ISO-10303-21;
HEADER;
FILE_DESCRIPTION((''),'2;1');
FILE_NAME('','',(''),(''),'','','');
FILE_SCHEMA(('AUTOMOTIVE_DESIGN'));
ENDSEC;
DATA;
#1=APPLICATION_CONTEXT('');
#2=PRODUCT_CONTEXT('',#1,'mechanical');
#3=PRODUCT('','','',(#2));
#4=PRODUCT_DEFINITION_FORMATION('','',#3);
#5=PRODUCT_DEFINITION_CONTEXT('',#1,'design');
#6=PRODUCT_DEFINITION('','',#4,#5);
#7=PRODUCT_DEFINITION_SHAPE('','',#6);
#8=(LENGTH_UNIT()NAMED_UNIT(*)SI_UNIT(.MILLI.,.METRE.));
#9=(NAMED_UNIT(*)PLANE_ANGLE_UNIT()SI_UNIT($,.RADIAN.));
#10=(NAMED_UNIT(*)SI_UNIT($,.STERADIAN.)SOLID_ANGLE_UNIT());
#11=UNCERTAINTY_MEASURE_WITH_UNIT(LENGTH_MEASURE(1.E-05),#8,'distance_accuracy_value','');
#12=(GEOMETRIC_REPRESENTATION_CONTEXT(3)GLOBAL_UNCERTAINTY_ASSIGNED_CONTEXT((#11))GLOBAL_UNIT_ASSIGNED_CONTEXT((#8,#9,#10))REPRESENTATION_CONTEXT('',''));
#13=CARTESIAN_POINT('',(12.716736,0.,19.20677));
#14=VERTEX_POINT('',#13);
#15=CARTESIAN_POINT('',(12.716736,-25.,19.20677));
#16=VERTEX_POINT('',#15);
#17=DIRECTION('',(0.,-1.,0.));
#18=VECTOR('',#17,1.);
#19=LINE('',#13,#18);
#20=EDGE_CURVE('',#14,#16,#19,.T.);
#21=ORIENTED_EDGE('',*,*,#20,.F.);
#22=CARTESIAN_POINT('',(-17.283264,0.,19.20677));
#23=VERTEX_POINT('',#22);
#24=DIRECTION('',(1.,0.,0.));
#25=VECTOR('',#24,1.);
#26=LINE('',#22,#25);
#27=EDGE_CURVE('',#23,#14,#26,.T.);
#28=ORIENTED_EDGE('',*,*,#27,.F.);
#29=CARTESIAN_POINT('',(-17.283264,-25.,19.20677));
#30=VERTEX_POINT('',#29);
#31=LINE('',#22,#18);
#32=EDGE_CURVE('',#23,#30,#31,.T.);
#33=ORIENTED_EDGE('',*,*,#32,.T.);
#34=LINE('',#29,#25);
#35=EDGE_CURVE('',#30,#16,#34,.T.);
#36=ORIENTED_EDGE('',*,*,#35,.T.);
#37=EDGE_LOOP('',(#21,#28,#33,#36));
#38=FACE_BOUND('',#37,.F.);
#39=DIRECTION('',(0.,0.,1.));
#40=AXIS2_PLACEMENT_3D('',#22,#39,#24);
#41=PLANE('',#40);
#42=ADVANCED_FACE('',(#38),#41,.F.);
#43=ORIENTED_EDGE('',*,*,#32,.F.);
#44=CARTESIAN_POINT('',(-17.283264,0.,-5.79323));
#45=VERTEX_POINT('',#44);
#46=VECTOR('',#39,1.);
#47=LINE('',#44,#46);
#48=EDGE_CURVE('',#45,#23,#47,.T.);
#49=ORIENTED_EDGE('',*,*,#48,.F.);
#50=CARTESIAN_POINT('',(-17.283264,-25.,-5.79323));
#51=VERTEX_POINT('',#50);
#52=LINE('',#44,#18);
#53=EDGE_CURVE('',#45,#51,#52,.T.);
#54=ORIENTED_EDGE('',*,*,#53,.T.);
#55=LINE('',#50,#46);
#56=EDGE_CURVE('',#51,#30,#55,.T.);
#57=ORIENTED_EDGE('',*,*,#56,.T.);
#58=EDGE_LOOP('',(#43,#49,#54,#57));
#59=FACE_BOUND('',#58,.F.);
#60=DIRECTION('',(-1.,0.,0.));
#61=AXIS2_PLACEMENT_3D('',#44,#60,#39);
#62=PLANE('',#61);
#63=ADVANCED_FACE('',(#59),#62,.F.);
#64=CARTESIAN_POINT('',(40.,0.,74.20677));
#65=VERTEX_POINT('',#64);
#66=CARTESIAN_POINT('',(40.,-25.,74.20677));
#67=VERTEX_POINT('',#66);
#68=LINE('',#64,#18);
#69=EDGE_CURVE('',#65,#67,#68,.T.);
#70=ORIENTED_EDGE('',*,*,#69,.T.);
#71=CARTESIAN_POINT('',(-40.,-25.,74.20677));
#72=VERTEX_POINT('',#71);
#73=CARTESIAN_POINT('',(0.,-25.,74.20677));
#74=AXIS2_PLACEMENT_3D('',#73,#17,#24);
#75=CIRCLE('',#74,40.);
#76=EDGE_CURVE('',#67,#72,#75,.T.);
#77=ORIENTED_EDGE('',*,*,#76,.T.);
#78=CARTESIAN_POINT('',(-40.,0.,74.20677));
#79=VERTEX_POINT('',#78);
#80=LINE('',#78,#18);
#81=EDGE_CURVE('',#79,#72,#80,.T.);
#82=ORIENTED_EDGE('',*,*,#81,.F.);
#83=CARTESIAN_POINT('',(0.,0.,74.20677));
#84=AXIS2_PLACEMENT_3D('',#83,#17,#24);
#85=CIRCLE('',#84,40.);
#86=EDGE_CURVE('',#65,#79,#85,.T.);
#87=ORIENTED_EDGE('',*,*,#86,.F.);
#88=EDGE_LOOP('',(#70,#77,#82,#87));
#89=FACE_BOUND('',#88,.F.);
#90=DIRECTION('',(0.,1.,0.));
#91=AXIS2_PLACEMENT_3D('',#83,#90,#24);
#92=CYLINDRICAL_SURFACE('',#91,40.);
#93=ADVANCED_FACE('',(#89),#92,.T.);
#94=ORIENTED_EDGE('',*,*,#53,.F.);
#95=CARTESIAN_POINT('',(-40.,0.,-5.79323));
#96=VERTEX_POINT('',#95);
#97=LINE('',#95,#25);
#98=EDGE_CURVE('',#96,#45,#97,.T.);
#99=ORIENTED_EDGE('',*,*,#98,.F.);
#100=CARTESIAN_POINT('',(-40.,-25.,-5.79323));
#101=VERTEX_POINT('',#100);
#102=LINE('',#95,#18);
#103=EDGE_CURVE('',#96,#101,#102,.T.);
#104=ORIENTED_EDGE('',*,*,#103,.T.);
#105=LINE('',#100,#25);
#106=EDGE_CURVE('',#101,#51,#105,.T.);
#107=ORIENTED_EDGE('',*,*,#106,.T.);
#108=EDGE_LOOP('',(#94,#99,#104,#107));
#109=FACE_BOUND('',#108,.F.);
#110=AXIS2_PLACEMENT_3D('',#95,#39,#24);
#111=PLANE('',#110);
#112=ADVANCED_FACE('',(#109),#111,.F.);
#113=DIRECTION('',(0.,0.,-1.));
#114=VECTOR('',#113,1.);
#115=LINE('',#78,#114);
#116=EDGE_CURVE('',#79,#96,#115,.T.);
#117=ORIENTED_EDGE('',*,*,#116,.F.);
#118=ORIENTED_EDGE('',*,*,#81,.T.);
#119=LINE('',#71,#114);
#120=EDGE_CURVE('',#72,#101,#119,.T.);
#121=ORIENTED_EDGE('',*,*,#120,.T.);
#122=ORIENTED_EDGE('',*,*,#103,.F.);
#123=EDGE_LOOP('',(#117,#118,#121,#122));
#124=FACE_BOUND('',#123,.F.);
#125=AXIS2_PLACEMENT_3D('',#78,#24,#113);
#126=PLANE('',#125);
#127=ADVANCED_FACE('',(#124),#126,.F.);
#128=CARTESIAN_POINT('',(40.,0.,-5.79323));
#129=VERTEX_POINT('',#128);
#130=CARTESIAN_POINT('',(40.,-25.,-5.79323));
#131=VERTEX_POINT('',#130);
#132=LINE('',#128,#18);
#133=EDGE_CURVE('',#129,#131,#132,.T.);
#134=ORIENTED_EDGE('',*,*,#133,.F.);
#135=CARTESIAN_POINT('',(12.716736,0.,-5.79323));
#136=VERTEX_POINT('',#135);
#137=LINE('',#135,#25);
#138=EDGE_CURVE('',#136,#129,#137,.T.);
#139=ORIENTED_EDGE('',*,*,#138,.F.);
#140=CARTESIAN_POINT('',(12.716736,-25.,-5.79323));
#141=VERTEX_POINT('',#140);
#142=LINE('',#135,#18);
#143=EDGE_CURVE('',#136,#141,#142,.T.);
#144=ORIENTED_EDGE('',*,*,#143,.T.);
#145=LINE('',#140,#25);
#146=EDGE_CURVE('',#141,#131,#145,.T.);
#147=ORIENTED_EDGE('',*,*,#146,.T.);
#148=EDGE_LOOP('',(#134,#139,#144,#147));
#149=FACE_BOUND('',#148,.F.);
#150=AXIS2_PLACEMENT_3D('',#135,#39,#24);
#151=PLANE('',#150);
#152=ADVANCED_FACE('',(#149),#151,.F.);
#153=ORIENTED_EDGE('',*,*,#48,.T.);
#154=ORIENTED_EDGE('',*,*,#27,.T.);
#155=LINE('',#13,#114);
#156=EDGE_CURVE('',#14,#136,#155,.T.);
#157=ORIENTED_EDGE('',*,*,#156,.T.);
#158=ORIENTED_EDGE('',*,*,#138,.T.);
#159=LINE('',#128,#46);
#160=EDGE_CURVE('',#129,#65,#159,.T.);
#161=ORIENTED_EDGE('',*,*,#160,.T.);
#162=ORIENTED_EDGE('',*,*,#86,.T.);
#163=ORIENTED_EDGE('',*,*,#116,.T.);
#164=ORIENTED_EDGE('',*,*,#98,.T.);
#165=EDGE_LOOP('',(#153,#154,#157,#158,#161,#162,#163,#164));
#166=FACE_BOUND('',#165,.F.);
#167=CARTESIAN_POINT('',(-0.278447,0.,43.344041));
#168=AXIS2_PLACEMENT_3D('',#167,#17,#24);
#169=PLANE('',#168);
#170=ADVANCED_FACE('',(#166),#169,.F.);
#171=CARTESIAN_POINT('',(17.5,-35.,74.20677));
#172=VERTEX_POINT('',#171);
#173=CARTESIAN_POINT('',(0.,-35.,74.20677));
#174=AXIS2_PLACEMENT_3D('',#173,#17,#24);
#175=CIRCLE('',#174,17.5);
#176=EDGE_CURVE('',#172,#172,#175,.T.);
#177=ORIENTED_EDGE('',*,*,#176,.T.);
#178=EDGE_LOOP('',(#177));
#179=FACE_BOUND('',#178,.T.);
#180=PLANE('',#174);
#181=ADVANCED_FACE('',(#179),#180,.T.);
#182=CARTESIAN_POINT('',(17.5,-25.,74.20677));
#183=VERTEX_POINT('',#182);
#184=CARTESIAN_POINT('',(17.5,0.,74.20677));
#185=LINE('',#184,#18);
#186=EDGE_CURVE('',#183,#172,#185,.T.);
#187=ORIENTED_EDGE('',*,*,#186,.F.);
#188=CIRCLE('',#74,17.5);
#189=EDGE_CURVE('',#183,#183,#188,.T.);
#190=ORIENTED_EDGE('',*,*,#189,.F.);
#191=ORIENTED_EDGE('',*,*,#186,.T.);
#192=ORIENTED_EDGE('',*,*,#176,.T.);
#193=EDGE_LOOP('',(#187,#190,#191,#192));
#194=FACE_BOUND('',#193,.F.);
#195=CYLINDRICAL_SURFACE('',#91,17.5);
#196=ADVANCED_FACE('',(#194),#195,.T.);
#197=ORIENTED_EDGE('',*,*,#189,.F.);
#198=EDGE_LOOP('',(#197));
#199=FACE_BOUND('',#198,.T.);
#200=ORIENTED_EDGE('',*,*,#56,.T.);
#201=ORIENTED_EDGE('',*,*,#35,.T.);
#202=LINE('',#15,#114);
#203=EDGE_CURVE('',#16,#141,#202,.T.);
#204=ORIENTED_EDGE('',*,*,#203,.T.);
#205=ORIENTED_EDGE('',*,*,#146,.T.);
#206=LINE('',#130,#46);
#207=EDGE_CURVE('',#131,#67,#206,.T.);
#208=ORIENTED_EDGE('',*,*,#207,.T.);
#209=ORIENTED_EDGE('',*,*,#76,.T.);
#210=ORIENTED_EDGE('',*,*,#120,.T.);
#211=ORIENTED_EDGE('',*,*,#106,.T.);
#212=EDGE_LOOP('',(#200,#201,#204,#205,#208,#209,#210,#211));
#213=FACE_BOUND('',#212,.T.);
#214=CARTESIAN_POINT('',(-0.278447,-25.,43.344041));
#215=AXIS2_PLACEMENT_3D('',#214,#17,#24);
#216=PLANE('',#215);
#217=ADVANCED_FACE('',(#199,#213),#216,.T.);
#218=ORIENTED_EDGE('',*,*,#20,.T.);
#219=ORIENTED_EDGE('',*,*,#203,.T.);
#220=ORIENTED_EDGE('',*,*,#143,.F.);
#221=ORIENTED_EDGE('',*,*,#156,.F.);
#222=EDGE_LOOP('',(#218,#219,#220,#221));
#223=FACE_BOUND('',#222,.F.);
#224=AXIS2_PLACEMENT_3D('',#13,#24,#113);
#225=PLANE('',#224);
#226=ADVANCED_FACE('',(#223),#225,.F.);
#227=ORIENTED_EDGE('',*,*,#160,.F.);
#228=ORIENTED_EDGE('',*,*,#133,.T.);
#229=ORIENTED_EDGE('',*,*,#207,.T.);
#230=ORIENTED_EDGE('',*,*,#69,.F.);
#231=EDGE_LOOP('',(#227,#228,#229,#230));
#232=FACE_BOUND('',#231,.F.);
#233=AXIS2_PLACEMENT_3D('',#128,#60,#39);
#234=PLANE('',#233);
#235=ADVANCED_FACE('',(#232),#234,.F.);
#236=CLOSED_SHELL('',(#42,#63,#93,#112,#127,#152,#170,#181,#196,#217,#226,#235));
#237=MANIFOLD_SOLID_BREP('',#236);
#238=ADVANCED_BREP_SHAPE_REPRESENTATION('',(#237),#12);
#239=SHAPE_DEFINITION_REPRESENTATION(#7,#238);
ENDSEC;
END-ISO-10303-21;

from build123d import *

# Parameters (mm, degrees)
F0_R     = 17.5
F1_DEPTH = 35
F2_DEPTH = 25


with BuildPart() as f1:
    # F0 (on Front) → F1 (new body)
    with BuildSketch(Plane.XZ):
        with Locations((0, 74.20677)):
            Circle(F0_R)
    extrude(amount=F1_DEPTH)

    # F0 (on Front) → F2 (join)
    with BuildSketch(Plane.XZ):
        with BuildLine():
            Line((-40, 74.20677), (-40, 19.20677))
            Line((-40, 19.20677), (-40, -5.79323))
            Line((-40, -5.79323), (-17.283264, -5.79323))
            Line((-17.283264, -5.79323), (-17.283264, 19.20677))
            Line((-17.283264, 19.20677), (12.716736, 19.20677))
            Line((12.716736, 19.20677), (12.716736, -5.79323))
            Line((12.716736, -5.79323), (40, -5.79323))
            Line((40, -5.79323), (40, 19.20677))
            Line((40, 19.20677), (40, 74.20677))
            ThreePointArc((40, 74.20677), (0, 114.20677), (-40, 74.20677))
        make_face()
        with Locations((0, 74.20677)):
            Circle(F0_R, mode=Mode.SUBTRACT)
    extrude(amount=F2_DEPTH)


solid = f1.part
